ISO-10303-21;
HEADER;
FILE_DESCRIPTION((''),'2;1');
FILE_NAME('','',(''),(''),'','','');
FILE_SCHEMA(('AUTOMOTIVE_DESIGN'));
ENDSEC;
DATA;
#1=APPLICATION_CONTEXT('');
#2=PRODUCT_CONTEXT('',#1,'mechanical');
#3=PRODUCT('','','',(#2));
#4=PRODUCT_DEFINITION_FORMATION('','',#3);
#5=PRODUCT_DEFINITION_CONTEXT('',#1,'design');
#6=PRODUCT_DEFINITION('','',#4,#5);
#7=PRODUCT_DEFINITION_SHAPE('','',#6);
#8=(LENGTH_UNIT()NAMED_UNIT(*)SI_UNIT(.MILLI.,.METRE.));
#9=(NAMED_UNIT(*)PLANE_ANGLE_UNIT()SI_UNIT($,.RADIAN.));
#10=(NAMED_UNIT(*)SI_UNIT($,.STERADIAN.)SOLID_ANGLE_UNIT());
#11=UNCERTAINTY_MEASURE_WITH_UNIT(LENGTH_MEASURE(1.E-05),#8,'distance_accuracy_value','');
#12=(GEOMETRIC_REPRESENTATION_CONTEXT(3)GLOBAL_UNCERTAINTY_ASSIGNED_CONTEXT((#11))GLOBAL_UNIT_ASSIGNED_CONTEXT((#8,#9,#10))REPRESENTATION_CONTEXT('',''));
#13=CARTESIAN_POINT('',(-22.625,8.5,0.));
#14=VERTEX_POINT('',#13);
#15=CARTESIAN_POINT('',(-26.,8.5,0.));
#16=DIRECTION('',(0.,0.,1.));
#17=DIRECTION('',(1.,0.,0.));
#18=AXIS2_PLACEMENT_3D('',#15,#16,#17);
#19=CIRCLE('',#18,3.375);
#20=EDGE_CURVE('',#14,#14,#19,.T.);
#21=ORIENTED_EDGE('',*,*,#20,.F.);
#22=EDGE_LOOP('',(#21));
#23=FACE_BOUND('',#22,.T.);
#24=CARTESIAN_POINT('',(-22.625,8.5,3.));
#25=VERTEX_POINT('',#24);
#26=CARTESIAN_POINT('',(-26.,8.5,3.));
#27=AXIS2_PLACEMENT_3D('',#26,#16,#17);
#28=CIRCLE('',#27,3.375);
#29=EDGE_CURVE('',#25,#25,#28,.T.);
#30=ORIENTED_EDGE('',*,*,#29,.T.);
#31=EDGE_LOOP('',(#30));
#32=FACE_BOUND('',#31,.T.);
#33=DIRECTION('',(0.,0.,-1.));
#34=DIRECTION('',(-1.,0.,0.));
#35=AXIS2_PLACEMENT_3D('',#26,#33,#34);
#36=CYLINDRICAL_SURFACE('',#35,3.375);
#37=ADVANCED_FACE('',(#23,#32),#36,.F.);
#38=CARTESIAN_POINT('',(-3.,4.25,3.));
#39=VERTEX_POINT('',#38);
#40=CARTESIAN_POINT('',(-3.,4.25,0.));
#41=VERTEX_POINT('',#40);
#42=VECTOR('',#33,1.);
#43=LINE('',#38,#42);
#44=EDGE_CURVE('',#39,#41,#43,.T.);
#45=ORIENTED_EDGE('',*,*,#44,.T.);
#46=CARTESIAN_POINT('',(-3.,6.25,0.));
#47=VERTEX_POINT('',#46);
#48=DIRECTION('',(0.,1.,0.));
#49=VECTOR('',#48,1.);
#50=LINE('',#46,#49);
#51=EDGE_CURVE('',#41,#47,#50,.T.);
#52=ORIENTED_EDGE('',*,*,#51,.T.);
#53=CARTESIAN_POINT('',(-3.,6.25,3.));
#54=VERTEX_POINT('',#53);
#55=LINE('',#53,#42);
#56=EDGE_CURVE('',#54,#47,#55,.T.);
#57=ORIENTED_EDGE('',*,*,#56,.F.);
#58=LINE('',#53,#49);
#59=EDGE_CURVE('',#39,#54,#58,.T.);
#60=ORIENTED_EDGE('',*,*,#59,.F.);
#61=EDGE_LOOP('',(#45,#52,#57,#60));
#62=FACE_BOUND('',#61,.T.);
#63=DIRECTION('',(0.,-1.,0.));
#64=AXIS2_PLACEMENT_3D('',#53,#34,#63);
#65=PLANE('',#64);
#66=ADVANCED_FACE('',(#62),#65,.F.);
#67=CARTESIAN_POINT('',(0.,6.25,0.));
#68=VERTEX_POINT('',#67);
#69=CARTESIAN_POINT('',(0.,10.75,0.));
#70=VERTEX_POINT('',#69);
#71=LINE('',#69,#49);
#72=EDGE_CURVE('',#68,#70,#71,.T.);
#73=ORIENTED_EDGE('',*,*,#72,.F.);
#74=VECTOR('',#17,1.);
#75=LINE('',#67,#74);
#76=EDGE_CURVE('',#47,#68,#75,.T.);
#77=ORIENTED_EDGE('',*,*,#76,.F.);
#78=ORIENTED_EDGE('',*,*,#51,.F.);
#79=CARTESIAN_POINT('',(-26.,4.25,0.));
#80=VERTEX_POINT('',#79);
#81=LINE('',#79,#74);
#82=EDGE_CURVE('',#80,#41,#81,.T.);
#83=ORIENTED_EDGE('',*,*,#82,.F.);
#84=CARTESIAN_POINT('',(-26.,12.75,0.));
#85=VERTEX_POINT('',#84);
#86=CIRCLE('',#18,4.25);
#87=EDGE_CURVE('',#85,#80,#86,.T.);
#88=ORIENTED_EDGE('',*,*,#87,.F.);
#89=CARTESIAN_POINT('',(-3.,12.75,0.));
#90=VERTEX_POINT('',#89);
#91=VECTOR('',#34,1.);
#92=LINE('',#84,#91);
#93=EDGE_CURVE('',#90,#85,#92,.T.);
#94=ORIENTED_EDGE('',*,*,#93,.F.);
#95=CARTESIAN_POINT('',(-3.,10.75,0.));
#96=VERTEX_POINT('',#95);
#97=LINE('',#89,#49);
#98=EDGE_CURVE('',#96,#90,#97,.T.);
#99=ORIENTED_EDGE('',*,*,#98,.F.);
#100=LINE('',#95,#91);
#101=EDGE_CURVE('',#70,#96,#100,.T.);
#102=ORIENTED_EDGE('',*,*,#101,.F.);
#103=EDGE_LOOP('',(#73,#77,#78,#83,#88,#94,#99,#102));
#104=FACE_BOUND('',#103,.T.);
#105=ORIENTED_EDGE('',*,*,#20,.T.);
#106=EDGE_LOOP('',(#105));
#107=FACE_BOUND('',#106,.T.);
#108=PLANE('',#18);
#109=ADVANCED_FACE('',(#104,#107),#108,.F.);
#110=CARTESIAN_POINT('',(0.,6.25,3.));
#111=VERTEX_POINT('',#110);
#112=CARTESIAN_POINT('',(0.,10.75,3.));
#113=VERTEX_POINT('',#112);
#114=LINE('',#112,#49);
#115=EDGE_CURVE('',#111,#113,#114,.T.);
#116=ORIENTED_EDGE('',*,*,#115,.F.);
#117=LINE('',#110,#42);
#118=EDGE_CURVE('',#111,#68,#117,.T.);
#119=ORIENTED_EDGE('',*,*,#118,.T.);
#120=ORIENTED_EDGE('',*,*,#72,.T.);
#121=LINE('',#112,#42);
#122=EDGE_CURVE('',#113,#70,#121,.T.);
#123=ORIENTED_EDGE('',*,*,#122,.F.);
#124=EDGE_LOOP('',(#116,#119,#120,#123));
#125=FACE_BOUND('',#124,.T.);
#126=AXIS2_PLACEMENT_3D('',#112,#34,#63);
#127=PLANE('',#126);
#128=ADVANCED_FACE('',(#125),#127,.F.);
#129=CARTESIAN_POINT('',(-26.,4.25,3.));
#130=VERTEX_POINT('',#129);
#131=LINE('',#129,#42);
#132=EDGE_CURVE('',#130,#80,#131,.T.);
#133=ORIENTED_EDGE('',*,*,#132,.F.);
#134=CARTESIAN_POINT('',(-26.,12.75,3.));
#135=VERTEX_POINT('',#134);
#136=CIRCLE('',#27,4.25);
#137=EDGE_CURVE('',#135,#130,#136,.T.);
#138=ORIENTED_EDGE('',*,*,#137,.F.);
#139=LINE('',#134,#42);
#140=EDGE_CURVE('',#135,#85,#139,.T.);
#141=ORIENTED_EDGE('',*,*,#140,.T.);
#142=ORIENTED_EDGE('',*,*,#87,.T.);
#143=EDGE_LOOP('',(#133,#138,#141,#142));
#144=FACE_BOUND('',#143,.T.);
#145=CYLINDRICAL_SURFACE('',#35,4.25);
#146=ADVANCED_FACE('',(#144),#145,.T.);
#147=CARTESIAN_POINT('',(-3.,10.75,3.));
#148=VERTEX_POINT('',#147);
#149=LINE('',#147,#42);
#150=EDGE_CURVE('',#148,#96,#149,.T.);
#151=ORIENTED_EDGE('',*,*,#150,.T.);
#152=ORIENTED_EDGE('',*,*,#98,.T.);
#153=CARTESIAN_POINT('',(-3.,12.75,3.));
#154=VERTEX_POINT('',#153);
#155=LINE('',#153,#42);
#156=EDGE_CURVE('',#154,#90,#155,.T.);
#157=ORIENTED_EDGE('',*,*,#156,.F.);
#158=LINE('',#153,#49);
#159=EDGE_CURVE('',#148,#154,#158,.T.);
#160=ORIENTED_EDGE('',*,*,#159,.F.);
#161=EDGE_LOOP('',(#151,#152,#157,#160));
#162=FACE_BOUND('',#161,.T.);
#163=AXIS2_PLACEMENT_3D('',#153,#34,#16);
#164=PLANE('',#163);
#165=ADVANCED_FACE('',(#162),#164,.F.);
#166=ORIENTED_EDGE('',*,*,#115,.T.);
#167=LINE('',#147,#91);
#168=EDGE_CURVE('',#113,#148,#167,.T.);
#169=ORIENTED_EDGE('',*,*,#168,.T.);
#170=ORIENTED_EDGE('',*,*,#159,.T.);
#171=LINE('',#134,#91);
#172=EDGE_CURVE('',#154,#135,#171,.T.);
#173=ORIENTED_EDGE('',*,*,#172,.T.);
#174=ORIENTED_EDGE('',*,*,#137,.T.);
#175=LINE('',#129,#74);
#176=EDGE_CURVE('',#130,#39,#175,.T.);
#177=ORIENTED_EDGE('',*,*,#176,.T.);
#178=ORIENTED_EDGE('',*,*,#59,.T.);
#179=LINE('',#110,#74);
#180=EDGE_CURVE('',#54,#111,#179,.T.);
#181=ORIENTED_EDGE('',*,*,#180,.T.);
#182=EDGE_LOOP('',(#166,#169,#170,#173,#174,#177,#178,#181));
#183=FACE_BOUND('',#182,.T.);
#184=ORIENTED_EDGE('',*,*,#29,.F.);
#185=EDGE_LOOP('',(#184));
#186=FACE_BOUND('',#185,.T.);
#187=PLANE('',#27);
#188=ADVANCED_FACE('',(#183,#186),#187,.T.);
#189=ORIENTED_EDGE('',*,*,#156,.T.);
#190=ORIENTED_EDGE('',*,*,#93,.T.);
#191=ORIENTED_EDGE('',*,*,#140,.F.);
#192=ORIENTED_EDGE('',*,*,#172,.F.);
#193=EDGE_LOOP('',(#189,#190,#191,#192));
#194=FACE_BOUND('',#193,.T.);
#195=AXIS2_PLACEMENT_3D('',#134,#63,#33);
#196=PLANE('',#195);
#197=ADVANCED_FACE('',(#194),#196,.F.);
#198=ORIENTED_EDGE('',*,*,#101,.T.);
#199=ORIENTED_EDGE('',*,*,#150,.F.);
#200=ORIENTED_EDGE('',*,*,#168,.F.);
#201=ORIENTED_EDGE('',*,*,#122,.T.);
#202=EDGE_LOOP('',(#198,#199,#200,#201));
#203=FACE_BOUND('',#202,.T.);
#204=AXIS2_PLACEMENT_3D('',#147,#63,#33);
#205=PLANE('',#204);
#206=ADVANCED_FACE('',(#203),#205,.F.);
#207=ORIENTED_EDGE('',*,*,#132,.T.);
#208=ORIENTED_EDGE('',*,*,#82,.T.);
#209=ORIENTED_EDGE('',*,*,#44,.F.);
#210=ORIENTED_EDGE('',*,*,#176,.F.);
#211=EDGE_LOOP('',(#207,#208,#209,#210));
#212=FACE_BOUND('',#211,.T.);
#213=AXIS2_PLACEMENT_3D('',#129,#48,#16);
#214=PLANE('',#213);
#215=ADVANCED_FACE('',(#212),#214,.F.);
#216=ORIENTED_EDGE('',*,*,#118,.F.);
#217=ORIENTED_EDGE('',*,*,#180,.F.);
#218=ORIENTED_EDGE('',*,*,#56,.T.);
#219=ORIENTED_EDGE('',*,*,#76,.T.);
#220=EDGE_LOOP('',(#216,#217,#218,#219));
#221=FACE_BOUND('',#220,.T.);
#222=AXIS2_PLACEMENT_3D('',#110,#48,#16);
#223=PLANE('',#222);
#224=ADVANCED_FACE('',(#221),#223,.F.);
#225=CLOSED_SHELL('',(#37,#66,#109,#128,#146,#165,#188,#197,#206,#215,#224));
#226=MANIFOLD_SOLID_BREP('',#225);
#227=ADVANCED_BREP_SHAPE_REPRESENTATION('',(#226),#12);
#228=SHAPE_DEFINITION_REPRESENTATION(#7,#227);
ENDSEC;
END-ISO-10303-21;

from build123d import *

# Parameters (mm, degrees)
CROQUIS1_R              = 3.375
SALIENTE_EXTRUIR1_DEPTH = 3


with BuildPart() as part:
    # Croquis1 → Saliente-Extruir1 (new body)
    with BuildSketch(Plane.XY):
        with BuildLine():
            Line((-26, 4.25), (-3, 4.25))
            Line((-3, 4.25), (-3, 6.25))
            Line((-3, 6.25), (0, 6.25))
            Line((0, 6.25), (0, 10.75))
            Line((0, 10.75), (-3, 10.75))
            Line((-3, 10.75), (-3, 12.75))
            Line((-3, 12.75), (-26, 12.75))
            ThreePointArc((-26, 12.75), (-30.25, 8.5), (-26, 4.25))
        make_face()
        with Locations((-26, 8.5)):
            Circle(CROQUIS1_R, mode=Mode.SUBTRACT)
    extrude(amount=SALIENTE_EXTRUIR1_DEPTH)


solid = part.part
